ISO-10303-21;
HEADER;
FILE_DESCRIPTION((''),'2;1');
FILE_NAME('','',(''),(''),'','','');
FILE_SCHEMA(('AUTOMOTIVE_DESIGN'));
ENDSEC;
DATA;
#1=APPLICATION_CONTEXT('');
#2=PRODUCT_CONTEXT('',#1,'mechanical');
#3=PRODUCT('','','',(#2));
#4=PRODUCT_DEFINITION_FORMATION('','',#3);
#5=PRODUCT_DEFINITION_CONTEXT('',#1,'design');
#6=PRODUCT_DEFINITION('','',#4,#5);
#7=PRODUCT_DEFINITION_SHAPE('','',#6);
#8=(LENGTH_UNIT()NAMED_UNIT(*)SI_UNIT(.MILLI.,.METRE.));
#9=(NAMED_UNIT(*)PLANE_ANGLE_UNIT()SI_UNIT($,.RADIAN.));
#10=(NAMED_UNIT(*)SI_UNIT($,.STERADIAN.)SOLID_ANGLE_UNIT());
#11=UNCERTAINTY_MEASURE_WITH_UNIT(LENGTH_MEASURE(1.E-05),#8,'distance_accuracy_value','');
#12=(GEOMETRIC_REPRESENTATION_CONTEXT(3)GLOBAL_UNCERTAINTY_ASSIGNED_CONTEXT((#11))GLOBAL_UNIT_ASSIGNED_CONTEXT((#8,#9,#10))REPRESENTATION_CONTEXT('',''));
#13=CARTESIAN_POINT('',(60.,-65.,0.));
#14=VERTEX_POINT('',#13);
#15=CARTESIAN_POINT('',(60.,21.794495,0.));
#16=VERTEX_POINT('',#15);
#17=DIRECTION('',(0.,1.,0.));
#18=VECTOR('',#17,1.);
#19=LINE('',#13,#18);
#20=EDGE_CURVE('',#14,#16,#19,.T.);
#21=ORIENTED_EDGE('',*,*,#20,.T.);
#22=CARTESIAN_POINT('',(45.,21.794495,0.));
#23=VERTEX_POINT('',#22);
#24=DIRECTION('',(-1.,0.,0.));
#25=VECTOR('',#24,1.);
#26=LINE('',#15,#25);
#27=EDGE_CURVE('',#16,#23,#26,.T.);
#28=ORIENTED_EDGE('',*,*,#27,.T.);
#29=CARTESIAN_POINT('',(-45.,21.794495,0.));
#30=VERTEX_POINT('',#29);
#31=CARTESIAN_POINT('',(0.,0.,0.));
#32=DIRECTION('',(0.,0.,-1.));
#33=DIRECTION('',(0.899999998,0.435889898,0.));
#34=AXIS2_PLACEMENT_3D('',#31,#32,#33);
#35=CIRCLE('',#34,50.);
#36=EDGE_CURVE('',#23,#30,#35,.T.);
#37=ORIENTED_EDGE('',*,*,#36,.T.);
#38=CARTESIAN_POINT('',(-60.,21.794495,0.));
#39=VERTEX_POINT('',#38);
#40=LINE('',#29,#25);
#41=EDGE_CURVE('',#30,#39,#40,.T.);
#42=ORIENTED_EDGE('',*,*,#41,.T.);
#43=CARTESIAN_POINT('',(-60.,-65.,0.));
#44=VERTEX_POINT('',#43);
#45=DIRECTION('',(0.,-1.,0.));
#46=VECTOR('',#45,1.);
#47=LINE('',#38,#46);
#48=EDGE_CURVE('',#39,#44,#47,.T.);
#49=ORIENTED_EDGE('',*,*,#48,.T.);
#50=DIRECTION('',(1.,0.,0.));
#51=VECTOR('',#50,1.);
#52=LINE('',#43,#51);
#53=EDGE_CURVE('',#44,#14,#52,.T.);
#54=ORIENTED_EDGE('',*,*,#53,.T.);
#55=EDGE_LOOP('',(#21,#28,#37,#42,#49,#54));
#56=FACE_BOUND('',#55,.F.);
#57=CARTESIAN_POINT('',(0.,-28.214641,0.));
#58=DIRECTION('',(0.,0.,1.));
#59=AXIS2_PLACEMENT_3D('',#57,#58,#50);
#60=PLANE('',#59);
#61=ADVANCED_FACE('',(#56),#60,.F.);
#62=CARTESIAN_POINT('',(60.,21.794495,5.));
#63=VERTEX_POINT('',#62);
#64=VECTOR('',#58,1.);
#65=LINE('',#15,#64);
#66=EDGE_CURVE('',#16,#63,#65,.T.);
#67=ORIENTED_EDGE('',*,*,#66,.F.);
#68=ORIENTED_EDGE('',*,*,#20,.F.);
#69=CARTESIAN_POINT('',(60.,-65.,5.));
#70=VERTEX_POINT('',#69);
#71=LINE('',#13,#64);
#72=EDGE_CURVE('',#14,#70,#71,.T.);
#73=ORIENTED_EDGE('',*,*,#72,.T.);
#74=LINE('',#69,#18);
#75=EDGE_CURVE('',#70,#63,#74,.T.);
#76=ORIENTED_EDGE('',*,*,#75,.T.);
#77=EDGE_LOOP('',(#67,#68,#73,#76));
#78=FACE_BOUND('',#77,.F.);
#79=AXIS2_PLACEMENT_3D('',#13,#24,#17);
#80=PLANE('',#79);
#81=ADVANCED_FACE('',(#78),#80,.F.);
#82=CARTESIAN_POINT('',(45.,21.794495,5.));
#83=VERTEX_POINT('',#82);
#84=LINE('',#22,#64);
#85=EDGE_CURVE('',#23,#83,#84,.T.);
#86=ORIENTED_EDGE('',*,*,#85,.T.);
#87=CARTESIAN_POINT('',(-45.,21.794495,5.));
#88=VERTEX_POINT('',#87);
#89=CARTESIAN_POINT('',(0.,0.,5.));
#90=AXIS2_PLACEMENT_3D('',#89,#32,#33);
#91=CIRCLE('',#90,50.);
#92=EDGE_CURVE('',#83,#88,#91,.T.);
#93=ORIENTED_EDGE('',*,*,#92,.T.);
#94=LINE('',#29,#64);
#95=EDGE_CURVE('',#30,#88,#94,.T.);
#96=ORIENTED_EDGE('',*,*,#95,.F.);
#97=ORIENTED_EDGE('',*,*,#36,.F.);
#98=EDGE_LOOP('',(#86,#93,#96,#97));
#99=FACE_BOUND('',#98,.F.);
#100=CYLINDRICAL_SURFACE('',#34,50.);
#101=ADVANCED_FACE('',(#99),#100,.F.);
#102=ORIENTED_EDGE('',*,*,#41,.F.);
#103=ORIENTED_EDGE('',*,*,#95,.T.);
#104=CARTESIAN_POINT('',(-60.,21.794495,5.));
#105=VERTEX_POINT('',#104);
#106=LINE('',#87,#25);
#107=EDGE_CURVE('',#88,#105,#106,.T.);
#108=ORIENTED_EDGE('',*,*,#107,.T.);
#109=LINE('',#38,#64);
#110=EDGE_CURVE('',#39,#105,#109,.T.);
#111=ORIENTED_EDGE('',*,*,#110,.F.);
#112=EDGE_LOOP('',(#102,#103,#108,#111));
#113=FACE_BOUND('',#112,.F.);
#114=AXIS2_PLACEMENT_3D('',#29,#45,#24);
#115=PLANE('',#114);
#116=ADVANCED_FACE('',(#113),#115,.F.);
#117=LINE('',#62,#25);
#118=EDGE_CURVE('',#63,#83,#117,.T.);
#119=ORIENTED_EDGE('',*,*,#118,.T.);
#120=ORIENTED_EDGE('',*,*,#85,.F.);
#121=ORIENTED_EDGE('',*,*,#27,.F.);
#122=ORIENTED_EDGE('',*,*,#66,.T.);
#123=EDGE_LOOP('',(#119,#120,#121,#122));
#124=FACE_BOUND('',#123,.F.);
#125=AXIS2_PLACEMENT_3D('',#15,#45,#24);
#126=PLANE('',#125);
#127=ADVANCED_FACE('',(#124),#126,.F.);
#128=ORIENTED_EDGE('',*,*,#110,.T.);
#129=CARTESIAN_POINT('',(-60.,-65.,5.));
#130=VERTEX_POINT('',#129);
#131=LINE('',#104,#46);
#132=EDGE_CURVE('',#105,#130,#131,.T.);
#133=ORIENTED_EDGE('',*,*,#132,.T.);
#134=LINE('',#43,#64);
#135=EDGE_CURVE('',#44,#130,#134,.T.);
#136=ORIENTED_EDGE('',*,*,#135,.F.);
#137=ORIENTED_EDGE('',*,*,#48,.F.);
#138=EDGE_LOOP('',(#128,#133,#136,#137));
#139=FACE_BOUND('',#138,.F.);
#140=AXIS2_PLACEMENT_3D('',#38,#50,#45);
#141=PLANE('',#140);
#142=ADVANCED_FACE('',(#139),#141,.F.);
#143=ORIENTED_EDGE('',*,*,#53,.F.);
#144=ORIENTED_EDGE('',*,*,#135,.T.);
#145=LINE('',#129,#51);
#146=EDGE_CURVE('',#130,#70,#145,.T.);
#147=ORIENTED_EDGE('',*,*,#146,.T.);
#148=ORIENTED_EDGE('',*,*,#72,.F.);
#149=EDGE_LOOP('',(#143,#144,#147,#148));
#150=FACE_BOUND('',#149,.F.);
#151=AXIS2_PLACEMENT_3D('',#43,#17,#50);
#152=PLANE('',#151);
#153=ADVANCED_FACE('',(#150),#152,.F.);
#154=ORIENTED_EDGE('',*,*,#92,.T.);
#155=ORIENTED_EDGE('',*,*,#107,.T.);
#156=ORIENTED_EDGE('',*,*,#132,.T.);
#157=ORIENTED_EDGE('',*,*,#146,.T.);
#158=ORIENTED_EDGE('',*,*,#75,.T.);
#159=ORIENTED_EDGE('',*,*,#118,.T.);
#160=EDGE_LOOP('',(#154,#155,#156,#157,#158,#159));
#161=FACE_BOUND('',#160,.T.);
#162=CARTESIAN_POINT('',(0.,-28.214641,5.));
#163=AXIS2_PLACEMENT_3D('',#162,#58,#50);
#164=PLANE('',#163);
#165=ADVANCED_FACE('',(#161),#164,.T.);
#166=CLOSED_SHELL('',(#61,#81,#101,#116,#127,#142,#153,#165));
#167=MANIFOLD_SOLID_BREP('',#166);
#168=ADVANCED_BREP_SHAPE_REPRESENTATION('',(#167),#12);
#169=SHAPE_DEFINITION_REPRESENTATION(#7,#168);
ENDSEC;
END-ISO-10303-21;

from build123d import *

# Parameters (mm, degrees)
F1_DEPTH = 5


with BuildPart() as f1:
    # F0 (on Top) → F1 (new body)
    with BuildSketch(Plane.XY):
        with BuildLine():
            ThreePointArc((45, 21.794495), (0, -50), (-45, 21.794495))
            Line((-45, 21.794495), (-60, 21.794495))
            Line((-60, 21.794495), (-60, -65))
            Line((-60, -65), (0, -65))
            Line((0, -65), (60, -65))
            Line((60, -65), (60, 21.794495))
            Line((60, 21.794495), (45, 21.794495))
        make_face()
    extrude(amount=F1_DEPTH)


solid = f1.part
